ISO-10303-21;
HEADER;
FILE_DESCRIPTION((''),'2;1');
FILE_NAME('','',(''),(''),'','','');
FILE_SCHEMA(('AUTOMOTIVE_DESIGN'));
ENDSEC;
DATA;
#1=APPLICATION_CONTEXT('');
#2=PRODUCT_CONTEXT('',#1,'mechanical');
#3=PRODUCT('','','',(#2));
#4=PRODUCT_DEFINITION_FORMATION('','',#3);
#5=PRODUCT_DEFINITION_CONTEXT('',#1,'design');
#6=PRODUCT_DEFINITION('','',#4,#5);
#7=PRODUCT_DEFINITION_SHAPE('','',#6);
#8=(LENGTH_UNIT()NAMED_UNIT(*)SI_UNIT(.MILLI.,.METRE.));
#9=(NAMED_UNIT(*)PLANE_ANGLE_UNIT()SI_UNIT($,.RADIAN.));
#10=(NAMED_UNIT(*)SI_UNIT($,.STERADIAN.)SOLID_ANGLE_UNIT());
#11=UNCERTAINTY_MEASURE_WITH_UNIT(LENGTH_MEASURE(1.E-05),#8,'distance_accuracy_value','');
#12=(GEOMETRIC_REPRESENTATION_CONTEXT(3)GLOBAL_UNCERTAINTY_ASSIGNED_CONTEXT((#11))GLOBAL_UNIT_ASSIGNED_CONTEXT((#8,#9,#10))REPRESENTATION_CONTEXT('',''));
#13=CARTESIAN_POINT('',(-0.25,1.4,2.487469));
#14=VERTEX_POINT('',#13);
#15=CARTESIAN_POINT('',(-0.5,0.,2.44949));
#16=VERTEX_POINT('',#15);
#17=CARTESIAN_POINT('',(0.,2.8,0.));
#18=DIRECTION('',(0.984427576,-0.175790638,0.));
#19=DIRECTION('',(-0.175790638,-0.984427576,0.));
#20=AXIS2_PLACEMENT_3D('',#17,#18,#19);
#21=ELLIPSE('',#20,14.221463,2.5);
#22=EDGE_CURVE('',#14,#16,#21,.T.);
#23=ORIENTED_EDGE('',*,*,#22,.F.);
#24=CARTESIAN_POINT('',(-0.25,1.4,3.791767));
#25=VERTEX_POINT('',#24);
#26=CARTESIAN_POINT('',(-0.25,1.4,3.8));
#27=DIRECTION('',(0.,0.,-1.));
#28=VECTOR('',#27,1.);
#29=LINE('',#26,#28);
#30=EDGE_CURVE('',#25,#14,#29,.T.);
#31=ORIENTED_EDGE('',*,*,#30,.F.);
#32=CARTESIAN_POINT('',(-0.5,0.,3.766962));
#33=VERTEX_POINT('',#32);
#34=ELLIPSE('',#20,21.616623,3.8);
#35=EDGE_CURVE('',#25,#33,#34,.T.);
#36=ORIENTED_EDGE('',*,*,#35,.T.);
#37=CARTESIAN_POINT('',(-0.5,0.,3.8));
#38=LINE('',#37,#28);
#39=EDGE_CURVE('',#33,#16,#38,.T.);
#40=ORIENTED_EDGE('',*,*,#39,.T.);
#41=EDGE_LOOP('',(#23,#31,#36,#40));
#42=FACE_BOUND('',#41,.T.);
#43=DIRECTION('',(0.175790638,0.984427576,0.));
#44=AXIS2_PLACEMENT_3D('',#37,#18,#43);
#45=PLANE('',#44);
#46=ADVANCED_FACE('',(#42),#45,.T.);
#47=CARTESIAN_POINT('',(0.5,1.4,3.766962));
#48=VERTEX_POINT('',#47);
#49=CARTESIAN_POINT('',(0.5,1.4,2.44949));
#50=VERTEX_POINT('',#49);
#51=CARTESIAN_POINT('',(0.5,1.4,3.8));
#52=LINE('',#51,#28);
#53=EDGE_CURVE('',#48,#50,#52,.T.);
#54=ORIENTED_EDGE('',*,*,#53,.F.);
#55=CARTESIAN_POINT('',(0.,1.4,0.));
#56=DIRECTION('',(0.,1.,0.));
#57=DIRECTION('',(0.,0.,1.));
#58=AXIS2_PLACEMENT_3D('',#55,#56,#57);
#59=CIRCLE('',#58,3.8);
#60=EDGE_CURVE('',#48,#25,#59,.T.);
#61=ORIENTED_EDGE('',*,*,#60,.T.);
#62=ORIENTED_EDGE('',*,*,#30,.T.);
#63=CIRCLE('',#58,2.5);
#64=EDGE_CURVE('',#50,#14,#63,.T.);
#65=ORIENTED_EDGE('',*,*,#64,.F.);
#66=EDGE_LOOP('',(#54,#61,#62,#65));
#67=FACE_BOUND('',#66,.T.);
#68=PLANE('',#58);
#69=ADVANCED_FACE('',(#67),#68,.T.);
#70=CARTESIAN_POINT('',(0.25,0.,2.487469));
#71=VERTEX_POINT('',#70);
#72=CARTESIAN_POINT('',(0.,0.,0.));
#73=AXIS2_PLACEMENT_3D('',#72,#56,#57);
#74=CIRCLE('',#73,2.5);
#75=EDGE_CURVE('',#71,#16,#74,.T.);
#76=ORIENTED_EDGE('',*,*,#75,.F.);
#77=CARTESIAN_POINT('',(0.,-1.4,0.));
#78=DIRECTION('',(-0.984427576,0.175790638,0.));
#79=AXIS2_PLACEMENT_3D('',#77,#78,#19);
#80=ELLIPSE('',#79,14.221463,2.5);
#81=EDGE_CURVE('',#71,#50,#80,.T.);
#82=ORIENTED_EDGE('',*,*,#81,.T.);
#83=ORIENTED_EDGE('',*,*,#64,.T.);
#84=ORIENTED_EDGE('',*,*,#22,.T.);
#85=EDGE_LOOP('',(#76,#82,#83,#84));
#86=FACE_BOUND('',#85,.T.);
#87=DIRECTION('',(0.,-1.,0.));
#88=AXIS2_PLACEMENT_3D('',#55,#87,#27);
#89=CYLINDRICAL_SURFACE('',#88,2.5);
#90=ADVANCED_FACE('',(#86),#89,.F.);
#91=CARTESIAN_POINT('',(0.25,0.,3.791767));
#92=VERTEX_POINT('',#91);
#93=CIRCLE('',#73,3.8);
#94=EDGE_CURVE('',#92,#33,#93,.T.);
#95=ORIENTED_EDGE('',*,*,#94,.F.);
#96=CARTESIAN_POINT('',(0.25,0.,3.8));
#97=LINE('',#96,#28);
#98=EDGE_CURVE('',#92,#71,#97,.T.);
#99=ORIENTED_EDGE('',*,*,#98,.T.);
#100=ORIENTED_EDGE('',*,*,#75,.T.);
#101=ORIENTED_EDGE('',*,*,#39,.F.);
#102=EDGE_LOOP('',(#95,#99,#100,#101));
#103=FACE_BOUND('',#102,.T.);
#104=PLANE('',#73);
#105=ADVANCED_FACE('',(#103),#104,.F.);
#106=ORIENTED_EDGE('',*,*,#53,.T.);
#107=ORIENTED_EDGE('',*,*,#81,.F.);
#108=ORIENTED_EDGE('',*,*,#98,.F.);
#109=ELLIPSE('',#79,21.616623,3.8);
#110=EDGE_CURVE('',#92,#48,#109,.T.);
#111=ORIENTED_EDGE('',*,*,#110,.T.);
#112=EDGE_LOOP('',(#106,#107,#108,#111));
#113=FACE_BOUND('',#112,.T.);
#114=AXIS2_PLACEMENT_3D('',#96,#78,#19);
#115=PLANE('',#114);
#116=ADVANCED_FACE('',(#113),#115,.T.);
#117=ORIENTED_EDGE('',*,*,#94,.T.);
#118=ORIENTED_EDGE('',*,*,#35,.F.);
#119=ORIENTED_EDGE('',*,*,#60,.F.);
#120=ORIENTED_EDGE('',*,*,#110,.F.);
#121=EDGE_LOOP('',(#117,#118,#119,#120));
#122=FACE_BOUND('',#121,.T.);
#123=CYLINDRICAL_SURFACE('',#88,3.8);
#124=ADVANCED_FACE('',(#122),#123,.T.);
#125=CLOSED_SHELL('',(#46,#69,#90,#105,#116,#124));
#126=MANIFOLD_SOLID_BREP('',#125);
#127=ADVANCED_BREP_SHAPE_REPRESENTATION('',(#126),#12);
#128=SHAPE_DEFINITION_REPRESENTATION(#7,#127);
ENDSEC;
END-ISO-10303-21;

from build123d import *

# Parameters (mm, degrees)
SKETCH_1_R          = 3.8
SKETCH_1_R_2        = 2.5
EXTRUDE_1_DEPTH     = 1.4
CUT_EXTRUDE_1_DEPTH = 6.553377351


with BuildPart() as part:
    # 草图1 → 凸台-拉伸1 (new body)
    with BuildSketch(Plane(origin=(0, 0, 0), x_dir=(1, 0, 0), z_dir=(0, 1, 0))):
        with Locations(Location((0, 0, 0), (0, 0, 270))):
            Circle(SKETCH_1_R)
        with Locations(Location((0, 0, 0), (0, 0, 270))):
            Circle(SKETCH_1_R_2, mode=Mode.SUBTRACT)
    extrude(amount=EXTRUDE_1_DEPTH)

    # 草图2 → 切除-拉伸1 (cut, through all)
    with BuildSketch(Plane.XY):
        Polygon((-0.5, 0), (-0.25, 1.4), (0.5, 1.4), (0.25, 0), align=None)
    extrude(amount=CUT_EXTRUDE_1_DEPTH, mode=Mode.SUBTRACT)


solid = part.part
